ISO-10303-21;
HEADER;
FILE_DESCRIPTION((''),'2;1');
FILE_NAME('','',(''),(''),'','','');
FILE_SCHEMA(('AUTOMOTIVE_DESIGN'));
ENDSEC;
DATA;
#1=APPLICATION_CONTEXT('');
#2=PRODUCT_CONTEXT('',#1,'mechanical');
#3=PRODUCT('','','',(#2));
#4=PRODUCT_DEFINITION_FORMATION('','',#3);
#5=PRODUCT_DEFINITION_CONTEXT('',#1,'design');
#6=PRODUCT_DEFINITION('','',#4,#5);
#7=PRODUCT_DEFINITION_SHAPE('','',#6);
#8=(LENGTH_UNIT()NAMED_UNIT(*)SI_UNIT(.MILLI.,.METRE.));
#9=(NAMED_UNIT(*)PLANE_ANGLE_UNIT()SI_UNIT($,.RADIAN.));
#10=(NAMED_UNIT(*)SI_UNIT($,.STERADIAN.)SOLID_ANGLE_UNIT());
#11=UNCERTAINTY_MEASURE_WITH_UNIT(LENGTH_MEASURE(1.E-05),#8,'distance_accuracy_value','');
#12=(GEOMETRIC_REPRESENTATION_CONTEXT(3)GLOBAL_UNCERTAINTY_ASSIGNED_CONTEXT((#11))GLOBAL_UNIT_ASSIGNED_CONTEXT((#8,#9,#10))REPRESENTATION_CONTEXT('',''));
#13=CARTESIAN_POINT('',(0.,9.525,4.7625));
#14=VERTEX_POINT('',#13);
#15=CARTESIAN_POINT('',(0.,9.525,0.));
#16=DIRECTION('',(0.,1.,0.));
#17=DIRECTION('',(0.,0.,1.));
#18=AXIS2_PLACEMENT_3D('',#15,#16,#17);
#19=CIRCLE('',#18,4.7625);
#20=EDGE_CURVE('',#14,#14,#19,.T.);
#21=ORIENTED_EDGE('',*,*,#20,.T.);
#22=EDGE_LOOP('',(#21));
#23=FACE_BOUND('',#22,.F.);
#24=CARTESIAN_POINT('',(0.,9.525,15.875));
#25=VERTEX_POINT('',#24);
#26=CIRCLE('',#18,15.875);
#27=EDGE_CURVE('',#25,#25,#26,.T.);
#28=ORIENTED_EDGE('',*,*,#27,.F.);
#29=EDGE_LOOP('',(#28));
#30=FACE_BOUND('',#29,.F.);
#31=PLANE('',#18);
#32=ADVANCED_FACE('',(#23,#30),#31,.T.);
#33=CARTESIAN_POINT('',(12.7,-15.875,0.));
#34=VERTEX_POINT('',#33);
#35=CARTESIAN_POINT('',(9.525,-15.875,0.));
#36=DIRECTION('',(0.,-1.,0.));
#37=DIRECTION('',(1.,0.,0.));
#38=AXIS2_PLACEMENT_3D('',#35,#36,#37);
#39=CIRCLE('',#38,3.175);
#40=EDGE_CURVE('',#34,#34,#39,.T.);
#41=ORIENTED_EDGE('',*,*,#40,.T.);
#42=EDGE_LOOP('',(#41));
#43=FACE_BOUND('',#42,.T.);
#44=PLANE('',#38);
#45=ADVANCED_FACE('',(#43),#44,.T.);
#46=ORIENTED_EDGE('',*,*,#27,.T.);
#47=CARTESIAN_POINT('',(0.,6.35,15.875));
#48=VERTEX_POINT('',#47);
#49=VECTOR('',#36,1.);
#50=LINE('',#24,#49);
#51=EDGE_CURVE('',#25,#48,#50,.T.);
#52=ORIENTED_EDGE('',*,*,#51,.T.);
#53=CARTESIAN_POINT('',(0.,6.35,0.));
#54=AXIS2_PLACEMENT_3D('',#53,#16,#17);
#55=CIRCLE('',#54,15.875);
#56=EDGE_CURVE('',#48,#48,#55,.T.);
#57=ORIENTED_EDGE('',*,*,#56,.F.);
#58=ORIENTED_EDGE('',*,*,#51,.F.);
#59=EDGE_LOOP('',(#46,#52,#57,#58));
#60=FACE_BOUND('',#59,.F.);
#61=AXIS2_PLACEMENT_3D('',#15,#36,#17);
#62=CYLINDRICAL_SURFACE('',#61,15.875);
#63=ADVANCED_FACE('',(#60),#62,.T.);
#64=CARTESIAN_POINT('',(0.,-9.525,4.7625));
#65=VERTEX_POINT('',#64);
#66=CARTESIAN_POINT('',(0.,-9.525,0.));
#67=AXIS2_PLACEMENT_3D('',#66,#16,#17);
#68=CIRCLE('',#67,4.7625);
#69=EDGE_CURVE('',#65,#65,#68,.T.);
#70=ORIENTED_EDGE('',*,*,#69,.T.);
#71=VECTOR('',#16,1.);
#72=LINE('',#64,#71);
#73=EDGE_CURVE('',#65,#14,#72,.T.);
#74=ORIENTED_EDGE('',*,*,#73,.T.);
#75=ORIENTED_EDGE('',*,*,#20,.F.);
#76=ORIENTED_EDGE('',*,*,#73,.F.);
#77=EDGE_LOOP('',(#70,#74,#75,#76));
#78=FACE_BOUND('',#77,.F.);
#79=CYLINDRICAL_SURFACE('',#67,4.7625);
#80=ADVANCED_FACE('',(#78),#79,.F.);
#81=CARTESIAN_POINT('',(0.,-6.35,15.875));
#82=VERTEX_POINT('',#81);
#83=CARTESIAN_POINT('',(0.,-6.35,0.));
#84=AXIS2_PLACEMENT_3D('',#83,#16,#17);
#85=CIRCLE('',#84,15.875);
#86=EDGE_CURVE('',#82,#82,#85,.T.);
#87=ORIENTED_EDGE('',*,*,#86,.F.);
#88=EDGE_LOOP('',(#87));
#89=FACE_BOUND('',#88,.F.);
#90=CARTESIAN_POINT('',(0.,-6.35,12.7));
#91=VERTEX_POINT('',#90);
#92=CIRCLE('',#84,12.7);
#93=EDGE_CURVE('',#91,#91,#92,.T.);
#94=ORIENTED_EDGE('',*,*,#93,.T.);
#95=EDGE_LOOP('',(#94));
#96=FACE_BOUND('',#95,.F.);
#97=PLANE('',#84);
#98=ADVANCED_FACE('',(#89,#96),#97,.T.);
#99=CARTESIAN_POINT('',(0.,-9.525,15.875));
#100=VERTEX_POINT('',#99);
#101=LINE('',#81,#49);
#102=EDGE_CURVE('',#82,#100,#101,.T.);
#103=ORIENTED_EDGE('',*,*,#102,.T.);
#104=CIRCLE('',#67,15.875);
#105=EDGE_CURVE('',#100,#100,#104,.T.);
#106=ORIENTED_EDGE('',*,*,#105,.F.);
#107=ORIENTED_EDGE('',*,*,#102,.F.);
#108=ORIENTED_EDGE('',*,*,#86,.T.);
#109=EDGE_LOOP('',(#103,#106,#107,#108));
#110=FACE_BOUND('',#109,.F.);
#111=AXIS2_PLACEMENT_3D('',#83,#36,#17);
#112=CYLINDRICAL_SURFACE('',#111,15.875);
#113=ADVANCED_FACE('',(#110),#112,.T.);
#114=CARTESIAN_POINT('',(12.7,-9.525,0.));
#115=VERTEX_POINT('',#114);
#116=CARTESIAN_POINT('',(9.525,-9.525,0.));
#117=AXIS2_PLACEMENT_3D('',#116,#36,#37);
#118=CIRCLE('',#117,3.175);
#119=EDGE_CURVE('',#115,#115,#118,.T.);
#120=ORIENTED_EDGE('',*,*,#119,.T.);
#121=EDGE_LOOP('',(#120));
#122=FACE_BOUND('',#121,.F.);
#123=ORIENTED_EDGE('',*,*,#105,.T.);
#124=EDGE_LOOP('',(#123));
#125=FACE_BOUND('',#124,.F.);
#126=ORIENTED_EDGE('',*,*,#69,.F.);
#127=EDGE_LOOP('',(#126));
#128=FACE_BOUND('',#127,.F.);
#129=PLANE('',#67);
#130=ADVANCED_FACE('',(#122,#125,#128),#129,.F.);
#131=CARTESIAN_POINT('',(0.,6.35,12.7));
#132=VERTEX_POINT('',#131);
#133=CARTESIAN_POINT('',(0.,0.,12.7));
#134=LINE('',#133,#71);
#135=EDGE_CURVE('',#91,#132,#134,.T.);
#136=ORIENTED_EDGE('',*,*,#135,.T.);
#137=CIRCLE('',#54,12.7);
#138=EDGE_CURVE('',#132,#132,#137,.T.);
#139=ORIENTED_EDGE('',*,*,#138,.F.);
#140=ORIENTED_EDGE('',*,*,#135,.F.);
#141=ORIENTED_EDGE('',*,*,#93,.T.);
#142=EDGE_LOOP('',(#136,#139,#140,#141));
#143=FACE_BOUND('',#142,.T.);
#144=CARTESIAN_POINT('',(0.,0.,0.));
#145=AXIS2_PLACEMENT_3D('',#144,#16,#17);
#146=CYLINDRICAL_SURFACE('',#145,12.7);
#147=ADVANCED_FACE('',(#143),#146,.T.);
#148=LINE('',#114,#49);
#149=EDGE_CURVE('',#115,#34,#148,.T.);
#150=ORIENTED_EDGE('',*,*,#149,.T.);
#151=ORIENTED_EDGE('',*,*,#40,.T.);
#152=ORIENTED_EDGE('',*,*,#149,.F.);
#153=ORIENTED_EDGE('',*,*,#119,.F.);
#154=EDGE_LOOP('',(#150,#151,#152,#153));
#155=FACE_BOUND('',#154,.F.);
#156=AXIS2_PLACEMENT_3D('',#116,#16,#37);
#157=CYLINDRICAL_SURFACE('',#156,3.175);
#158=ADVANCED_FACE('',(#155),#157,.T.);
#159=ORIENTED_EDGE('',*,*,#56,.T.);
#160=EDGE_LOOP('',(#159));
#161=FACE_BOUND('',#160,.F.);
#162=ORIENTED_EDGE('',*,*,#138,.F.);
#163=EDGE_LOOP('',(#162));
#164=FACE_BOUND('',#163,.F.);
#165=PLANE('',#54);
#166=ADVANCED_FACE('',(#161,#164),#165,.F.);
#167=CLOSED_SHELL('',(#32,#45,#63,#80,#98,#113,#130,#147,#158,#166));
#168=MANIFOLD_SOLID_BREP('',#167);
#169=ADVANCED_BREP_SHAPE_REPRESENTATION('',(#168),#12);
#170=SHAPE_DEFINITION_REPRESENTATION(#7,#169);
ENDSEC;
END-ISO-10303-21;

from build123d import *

# Parameters (mm, degrees)
F0_W     = 12.7
F0_H     = 7.9375
F2_R     = 3.175
F3_DEPTH = 6.35


with BuildPart() as f1:
    # F0 (on Right) → F1 (revolve)
    with BuildSketch(Plane.YZ):
        with Locations((0, 8.73125)):
            Rectangle(F0_W, F0_H)
        Polygon((-6.35, 4.7625), (-6.35, 12.7), (-6.35, 15.875), (-9.525, 15.875), (-9.525, 4.7625), align=None)
        Polygon((6.35, 15.875), (6.35, 12.7), (6.35, 4.7625), (9.525, 4.7625), (9.525, 15.875), align=None)
    revolve(axis=Axis((0, 0, 0), (0, 1, 0)))

    # F2 (on face) → F3 (join)
    with BuildSketch(Plane.XZ.offset(9.525)):
        with Locations((9.525, 0)):
            Circle(F2_R)
    extrude(amount=F3_DEPTH)


solid = f1.part
